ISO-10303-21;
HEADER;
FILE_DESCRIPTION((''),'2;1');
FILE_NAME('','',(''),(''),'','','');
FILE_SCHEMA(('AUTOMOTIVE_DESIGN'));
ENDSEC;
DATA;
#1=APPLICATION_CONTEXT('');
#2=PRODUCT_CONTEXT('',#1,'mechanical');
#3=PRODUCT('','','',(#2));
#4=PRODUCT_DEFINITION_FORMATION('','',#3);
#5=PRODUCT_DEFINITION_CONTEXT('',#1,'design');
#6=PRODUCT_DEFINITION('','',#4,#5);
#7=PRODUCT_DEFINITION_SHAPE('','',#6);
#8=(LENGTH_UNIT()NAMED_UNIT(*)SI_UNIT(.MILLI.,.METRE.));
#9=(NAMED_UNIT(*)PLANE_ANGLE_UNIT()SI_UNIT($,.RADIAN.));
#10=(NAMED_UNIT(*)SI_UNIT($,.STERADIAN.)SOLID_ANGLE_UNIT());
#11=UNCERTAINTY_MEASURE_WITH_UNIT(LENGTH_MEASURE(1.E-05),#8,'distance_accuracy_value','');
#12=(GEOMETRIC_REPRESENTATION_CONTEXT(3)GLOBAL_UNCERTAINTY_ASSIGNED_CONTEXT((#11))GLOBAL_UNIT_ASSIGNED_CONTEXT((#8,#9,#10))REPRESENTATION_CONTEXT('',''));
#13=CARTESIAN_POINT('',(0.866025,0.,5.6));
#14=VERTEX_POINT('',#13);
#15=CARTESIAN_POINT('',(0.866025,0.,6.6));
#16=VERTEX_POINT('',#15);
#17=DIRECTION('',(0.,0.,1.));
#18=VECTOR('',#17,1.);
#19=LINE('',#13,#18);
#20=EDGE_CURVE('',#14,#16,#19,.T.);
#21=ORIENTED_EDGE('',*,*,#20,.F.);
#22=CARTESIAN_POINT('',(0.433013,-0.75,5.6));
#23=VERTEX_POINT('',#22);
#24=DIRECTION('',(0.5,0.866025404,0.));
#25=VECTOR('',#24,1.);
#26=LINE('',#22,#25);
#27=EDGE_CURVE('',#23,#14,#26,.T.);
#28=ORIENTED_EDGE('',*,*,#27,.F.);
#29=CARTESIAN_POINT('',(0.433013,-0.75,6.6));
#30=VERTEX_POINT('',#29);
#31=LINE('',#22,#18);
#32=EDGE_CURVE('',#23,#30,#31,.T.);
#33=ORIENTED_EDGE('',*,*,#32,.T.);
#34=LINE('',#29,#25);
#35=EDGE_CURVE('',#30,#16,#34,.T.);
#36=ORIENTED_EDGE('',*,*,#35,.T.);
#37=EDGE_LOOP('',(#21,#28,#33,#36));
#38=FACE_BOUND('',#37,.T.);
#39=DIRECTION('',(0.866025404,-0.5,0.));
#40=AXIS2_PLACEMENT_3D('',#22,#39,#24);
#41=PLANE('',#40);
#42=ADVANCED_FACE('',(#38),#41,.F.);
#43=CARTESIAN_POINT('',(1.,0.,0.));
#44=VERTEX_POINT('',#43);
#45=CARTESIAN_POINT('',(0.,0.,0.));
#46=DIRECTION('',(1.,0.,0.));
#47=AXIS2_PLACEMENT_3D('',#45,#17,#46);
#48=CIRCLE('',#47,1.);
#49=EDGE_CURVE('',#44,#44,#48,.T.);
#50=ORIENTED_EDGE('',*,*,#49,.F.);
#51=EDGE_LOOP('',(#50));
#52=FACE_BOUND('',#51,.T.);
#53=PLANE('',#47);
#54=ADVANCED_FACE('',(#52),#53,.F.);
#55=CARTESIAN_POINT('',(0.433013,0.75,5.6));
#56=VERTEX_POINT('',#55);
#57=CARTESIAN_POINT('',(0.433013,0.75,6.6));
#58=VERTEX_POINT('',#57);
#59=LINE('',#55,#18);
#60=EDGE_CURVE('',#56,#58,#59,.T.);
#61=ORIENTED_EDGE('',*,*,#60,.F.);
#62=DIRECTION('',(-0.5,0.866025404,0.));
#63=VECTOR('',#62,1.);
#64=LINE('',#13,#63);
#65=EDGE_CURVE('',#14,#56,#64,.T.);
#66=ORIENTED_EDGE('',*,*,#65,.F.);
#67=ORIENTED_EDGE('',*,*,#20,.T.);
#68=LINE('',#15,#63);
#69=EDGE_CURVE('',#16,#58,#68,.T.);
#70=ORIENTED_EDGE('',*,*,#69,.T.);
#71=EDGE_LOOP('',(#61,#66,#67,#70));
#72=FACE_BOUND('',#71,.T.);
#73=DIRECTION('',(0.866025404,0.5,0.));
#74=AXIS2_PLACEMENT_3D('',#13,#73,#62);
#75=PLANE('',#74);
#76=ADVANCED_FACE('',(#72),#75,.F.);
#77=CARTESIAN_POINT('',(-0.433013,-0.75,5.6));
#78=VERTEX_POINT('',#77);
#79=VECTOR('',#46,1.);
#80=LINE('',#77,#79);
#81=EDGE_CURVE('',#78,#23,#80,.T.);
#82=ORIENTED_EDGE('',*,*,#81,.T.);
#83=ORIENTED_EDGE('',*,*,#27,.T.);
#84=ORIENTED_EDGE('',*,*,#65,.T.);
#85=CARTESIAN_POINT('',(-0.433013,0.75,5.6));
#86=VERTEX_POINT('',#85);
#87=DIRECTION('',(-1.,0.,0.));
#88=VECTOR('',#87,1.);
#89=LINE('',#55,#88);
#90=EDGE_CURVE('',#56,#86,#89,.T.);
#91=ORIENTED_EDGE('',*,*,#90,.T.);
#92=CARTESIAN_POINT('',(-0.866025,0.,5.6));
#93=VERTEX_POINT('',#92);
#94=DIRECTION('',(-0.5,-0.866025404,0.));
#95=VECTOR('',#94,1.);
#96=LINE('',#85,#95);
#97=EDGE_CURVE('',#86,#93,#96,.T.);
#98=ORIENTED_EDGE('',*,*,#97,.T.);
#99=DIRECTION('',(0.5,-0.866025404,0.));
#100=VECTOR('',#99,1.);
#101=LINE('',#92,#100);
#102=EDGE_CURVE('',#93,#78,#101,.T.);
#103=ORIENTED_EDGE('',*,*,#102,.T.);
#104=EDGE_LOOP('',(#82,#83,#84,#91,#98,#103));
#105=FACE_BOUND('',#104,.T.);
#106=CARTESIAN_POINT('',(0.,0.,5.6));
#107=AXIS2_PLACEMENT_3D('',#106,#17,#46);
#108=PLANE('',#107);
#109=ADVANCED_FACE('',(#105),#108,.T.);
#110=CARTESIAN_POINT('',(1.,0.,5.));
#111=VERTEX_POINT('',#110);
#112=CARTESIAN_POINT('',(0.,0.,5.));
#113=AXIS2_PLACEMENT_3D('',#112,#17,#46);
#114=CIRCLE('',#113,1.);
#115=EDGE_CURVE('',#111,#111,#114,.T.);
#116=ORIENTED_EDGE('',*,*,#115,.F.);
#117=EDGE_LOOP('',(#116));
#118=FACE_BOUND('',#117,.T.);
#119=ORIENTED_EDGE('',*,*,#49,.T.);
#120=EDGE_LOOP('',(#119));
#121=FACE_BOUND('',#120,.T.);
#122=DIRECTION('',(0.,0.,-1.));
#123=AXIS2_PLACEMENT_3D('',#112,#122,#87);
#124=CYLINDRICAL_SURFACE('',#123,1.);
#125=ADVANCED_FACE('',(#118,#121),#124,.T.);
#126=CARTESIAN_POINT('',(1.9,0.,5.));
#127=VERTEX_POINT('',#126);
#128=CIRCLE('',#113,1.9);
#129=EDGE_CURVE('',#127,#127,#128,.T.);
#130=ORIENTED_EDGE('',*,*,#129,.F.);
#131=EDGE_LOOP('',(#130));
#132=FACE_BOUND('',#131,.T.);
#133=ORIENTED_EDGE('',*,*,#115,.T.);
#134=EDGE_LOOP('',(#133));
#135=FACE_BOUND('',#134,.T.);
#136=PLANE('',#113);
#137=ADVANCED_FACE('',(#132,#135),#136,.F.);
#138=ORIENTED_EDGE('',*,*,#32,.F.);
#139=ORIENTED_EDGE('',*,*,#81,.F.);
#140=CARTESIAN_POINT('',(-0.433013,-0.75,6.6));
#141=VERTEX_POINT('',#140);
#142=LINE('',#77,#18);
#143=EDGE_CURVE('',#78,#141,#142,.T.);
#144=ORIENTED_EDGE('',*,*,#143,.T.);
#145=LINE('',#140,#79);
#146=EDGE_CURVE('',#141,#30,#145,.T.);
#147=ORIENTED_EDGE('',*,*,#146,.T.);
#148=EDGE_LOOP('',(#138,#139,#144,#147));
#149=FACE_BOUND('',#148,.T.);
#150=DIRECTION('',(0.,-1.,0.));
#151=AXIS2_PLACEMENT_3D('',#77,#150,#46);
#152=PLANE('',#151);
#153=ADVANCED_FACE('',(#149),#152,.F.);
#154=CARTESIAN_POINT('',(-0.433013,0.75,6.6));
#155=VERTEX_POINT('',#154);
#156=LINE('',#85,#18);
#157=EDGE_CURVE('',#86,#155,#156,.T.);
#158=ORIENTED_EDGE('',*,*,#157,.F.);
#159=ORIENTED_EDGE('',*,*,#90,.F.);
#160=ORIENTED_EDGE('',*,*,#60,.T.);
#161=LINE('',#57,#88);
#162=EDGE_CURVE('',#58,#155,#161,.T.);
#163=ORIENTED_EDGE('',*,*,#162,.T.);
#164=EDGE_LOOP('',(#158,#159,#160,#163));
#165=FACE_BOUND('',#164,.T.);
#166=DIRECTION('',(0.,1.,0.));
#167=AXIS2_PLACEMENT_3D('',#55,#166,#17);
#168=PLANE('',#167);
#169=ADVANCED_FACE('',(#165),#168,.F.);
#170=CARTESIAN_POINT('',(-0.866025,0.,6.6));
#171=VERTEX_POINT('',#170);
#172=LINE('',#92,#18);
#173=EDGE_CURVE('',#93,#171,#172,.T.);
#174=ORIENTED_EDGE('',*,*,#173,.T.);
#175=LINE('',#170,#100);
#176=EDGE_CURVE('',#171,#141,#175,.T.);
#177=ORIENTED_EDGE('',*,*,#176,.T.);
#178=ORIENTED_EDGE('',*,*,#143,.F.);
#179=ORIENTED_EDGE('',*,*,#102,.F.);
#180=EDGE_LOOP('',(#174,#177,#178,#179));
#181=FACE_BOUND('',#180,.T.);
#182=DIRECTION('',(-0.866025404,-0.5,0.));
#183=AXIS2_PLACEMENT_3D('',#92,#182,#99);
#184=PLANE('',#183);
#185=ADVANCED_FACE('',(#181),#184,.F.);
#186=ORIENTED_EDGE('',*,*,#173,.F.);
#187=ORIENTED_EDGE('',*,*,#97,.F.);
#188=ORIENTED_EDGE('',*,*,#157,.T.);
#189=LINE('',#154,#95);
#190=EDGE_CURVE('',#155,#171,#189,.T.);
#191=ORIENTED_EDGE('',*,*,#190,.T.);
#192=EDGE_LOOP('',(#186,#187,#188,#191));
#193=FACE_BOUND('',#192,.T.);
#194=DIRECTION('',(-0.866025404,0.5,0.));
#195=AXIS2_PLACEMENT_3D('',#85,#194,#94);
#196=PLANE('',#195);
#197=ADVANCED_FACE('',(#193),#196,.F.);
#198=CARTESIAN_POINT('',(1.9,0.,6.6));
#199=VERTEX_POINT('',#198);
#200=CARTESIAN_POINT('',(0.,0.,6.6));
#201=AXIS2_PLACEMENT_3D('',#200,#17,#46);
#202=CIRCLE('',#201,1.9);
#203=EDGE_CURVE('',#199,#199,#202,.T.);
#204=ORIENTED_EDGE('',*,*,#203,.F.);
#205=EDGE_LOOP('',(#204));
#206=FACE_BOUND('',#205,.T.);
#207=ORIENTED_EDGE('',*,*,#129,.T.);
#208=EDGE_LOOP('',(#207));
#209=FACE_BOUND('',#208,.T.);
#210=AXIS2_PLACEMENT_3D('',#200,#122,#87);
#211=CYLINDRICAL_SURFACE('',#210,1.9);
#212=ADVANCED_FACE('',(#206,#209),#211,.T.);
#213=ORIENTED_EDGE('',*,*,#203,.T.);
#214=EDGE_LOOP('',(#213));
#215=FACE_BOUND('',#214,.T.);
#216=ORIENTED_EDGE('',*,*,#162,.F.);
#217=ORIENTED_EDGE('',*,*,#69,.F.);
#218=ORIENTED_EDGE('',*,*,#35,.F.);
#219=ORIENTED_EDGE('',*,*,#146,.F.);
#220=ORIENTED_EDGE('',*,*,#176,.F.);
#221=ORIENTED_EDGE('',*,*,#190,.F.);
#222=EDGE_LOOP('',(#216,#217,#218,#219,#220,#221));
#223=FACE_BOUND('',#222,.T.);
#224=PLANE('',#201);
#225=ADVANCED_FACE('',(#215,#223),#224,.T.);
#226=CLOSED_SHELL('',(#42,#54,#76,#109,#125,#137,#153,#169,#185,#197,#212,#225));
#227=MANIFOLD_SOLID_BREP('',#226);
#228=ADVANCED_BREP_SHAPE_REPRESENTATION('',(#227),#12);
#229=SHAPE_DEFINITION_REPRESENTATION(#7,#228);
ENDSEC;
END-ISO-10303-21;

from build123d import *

# Parameters (mm, degrees)
ESQUISSE1_R             = 1
BOSS_EXTRU_1_DEPTH      = 5
ESQUISSE2_R             = 1.9
BOSS_EXTRU_2_DEPTH      = 1.6
ENL_V_MAT_EXTRU_1_DEPTH = 1


with BuildPart() as part:
    # Esquisse1 → Boss.-Extru.1 (new body)
    with BuildSketch(Plane.XY):
        Circle(ESQUISSE1_R)
    extrude(amount=BOSS_EXTRU_1_DEPTH)

    # Esquisse2 → Boss.-Extru.2 (add)
    with BuildSketch(Plane.XY.offset(5)):
        Circle(ESQUISSE2_R)
    extrude(amount=BOSS_EXTRU_2_DEPTH)

    # Esquisse3 → Enlèv. mat.-Extru.1 (cut)
    with BuildSketch(Plane.XY.offset(6.6)):
        Polygon((0.866025404, 0), (0.433012702, 0.75), (-0.433012702, 0.75), (-0.866025404, 0), (-0.433012702, -0.75), (0.433012702, -0.75), align=None)
    extrude(amount=-ENL_V_MAT_EXTRU_1_DEPTH, mode=Mode.SUBTRACT)


solid = part.part
